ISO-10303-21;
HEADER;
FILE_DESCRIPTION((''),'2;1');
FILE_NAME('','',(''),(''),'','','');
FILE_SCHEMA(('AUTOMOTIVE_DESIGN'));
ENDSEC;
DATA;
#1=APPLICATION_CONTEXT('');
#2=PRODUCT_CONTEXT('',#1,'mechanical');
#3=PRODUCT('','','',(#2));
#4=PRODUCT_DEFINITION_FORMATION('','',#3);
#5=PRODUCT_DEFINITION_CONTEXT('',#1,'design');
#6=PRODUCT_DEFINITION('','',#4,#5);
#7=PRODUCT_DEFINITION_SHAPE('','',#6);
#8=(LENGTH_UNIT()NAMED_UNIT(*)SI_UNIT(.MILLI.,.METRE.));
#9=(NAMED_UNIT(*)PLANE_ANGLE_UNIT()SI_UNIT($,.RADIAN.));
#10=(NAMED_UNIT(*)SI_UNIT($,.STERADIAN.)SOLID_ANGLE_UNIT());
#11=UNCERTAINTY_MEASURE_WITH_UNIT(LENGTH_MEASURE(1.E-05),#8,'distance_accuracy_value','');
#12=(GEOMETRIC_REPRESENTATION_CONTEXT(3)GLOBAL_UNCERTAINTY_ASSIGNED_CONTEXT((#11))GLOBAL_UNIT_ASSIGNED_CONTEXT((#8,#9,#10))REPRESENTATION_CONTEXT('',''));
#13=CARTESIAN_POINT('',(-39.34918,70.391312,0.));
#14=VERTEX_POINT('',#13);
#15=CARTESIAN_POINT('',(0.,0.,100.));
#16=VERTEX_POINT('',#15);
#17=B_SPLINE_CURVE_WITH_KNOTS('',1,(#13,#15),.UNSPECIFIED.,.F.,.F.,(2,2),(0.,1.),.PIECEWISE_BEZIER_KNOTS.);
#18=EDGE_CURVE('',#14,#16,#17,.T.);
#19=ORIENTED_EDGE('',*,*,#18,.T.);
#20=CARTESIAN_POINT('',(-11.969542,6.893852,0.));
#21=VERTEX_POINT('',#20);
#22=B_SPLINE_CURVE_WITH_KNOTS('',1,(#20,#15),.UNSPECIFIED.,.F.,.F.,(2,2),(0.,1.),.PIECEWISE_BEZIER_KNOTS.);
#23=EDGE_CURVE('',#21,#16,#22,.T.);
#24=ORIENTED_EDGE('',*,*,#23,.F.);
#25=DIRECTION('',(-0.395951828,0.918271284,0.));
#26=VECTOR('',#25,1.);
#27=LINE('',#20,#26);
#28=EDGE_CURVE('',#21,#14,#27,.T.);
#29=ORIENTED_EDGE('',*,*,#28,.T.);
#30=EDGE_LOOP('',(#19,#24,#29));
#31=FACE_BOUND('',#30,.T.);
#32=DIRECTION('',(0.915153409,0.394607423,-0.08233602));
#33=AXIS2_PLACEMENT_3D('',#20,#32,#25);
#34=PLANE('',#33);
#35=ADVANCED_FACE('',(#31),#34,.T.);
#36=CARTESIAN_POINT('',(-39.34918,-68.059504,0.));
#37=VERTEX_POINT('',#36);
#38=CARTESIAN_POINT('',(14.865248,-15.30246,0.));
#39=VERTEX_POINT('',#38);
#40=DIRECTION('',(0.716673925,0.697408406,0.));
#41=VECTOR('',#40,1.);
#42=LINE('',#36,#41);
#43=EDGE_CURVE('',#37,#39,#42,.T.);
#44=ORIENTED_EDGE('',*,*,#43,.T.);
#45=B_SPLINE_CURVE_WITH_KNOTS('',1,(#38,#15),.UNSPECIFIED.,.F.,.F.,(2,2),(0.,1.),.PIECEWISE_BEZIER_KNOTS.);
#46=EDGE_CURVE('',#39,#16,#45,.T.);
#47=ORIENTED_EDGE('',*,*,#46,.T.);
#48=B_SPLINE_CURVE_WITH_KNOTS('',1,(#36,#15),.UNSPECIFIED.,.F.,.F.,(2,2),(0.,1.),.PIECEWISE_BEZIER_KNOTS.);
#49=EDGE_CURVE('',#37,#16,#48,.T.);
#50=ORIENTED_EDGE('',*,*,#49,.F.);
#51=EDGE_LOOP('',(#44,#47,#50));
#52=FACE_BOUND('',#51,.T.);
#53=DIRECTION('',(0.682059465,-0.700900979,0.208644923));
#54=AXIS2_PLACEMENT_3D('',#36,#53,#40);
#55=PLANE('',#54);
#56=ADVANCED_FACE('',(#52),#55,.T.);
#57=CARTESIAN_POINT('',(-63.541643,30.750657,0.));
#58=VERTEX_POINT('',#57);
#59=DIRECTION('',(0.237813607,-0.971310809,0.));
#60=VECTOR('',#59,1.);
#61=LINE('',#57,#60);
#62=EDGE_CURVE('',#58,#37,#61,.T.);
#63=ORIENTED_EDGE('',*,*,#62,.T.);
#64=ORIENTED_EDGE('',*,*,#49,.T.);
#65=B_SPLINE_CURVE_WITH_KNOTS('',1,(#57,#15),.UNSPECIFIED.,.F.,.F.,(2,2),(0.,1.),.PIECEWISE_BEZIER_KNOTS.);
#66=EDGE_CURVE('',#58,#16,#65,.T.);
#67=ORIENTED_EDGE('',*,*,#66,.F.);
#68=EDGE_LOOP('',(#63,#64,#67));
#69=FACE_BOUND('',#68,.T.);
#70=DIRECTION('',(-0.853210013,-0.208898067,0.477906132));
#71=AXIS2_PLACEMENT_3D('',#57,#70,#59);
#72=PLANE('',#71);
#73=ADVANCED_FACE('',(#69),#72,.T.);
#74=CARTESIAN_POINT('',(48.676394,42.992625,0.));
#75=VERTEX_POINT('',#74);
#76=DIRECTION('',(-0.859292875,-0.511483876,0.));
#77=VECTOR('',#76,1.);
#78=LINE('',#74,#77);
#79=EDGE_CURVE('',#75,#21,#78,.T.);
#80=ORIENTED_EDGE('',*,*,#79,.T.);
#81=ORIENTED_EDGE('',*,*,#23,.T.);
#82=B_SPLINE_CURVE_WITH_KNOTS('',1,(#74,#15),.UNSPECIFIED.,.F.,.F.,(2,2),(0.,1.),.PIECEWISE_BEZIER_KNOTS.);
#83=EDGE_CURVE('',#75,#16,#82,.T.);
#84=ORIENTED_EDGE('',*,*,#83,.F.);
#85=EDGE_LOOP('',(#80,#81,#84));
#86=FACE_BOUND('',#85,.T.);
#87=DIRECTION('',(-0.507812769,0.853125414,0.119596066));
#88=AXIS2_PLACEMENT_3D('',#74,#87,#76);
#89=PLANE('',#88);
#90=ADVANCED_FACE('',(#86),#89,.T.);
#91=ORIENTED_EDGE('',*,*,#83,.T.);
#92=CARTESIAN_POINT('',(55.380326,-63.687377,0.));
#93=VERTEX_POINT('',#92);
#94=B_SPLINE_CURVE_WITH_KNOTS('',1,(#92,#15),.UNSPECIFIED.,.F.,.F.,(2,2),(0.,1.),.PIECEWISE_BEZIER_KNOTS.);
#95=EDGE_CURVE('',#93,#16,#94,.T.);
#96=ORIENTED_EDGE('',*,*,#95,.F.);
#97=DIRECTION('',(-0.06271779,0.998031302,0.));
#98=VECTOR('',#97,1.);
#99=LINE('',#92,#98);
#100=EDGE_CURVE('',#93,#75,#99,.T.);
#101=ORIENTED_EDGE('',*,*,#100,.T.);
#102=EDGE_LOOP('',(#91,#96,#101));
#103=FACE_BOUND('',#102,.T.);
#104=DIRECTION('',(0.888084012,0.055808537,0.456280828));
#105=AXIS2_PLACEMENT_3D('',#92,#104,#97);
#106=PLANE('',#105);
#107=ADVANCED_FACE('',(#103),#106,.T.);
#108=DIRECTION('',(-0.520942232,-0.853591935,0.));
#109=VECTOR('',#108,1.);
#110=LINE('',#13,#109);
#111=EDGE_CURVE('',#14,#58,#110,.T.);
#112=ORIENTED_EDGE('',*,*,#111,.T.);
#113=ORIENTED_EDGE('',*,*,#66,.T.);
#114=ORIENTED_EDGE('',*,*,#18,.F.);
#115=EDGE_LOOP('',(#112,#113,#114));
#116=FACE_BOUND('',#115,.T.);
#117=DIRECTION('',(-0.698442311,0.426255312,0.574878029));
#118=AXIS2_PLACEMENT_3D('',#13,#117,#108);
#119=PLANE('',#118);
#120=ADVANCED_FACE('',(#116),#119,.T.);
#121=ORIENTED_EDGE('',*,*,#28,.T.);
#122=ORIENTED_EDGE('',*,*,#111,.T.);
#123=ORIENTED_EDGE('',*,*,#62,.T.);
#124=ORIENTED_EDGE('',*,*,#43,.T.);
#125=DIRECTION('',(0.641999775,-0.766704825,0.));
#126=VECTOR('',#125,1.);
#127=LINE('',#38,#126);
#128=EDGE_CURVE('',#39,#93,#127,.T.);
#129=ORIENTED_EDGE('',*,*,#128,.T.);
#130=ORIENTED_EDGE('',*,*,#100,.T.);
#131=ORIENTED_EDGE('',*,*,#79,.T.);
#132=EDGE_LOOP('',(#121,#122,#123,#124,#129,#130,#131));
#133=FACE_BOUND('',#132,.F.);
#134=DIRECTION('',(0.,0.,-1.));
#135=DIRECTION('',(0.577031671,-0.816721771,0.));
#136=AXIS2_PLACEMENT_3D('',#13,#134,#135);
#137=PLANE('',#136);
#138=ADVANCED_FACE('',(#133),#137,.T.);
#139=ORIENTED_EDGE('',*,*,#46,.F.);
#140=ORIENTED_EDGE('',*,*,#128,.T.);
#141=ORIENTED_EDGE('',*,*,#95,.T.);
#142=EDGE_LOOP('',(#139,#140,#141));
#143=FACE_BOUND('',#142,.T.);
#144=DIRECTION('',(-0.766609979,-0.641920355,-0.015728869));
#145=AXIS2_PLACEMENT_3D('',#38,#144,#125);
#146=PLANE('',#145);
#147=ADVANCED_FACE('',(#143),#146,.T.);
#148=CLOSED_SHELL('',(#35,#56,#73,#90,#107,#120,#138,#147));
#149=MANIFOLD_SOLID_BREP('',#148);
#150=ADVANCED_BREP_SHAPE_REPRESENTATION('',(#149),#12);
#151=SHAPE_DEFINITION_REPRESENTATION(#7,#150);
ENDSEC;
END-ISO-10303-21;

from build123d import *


with BuildPart() as f3:
    # F0 (on Top) → F3 section 0
    with BuildSketch(Plane.XY, mode=Mode.PRIVATE) as f3_s0:
        Polygon((-39.34918, 70.391312), (-63.541643, 30.750657), (-39.34918, -68.059504), (14.865248, -15.30246), (55.380326, -63.687377), (48.676394, 42.992625), (-11.969542, 6.893852), align=None)
    loft([f3_s0.sketch, Vertex(0, 0, 100)])


solid = f3.part
